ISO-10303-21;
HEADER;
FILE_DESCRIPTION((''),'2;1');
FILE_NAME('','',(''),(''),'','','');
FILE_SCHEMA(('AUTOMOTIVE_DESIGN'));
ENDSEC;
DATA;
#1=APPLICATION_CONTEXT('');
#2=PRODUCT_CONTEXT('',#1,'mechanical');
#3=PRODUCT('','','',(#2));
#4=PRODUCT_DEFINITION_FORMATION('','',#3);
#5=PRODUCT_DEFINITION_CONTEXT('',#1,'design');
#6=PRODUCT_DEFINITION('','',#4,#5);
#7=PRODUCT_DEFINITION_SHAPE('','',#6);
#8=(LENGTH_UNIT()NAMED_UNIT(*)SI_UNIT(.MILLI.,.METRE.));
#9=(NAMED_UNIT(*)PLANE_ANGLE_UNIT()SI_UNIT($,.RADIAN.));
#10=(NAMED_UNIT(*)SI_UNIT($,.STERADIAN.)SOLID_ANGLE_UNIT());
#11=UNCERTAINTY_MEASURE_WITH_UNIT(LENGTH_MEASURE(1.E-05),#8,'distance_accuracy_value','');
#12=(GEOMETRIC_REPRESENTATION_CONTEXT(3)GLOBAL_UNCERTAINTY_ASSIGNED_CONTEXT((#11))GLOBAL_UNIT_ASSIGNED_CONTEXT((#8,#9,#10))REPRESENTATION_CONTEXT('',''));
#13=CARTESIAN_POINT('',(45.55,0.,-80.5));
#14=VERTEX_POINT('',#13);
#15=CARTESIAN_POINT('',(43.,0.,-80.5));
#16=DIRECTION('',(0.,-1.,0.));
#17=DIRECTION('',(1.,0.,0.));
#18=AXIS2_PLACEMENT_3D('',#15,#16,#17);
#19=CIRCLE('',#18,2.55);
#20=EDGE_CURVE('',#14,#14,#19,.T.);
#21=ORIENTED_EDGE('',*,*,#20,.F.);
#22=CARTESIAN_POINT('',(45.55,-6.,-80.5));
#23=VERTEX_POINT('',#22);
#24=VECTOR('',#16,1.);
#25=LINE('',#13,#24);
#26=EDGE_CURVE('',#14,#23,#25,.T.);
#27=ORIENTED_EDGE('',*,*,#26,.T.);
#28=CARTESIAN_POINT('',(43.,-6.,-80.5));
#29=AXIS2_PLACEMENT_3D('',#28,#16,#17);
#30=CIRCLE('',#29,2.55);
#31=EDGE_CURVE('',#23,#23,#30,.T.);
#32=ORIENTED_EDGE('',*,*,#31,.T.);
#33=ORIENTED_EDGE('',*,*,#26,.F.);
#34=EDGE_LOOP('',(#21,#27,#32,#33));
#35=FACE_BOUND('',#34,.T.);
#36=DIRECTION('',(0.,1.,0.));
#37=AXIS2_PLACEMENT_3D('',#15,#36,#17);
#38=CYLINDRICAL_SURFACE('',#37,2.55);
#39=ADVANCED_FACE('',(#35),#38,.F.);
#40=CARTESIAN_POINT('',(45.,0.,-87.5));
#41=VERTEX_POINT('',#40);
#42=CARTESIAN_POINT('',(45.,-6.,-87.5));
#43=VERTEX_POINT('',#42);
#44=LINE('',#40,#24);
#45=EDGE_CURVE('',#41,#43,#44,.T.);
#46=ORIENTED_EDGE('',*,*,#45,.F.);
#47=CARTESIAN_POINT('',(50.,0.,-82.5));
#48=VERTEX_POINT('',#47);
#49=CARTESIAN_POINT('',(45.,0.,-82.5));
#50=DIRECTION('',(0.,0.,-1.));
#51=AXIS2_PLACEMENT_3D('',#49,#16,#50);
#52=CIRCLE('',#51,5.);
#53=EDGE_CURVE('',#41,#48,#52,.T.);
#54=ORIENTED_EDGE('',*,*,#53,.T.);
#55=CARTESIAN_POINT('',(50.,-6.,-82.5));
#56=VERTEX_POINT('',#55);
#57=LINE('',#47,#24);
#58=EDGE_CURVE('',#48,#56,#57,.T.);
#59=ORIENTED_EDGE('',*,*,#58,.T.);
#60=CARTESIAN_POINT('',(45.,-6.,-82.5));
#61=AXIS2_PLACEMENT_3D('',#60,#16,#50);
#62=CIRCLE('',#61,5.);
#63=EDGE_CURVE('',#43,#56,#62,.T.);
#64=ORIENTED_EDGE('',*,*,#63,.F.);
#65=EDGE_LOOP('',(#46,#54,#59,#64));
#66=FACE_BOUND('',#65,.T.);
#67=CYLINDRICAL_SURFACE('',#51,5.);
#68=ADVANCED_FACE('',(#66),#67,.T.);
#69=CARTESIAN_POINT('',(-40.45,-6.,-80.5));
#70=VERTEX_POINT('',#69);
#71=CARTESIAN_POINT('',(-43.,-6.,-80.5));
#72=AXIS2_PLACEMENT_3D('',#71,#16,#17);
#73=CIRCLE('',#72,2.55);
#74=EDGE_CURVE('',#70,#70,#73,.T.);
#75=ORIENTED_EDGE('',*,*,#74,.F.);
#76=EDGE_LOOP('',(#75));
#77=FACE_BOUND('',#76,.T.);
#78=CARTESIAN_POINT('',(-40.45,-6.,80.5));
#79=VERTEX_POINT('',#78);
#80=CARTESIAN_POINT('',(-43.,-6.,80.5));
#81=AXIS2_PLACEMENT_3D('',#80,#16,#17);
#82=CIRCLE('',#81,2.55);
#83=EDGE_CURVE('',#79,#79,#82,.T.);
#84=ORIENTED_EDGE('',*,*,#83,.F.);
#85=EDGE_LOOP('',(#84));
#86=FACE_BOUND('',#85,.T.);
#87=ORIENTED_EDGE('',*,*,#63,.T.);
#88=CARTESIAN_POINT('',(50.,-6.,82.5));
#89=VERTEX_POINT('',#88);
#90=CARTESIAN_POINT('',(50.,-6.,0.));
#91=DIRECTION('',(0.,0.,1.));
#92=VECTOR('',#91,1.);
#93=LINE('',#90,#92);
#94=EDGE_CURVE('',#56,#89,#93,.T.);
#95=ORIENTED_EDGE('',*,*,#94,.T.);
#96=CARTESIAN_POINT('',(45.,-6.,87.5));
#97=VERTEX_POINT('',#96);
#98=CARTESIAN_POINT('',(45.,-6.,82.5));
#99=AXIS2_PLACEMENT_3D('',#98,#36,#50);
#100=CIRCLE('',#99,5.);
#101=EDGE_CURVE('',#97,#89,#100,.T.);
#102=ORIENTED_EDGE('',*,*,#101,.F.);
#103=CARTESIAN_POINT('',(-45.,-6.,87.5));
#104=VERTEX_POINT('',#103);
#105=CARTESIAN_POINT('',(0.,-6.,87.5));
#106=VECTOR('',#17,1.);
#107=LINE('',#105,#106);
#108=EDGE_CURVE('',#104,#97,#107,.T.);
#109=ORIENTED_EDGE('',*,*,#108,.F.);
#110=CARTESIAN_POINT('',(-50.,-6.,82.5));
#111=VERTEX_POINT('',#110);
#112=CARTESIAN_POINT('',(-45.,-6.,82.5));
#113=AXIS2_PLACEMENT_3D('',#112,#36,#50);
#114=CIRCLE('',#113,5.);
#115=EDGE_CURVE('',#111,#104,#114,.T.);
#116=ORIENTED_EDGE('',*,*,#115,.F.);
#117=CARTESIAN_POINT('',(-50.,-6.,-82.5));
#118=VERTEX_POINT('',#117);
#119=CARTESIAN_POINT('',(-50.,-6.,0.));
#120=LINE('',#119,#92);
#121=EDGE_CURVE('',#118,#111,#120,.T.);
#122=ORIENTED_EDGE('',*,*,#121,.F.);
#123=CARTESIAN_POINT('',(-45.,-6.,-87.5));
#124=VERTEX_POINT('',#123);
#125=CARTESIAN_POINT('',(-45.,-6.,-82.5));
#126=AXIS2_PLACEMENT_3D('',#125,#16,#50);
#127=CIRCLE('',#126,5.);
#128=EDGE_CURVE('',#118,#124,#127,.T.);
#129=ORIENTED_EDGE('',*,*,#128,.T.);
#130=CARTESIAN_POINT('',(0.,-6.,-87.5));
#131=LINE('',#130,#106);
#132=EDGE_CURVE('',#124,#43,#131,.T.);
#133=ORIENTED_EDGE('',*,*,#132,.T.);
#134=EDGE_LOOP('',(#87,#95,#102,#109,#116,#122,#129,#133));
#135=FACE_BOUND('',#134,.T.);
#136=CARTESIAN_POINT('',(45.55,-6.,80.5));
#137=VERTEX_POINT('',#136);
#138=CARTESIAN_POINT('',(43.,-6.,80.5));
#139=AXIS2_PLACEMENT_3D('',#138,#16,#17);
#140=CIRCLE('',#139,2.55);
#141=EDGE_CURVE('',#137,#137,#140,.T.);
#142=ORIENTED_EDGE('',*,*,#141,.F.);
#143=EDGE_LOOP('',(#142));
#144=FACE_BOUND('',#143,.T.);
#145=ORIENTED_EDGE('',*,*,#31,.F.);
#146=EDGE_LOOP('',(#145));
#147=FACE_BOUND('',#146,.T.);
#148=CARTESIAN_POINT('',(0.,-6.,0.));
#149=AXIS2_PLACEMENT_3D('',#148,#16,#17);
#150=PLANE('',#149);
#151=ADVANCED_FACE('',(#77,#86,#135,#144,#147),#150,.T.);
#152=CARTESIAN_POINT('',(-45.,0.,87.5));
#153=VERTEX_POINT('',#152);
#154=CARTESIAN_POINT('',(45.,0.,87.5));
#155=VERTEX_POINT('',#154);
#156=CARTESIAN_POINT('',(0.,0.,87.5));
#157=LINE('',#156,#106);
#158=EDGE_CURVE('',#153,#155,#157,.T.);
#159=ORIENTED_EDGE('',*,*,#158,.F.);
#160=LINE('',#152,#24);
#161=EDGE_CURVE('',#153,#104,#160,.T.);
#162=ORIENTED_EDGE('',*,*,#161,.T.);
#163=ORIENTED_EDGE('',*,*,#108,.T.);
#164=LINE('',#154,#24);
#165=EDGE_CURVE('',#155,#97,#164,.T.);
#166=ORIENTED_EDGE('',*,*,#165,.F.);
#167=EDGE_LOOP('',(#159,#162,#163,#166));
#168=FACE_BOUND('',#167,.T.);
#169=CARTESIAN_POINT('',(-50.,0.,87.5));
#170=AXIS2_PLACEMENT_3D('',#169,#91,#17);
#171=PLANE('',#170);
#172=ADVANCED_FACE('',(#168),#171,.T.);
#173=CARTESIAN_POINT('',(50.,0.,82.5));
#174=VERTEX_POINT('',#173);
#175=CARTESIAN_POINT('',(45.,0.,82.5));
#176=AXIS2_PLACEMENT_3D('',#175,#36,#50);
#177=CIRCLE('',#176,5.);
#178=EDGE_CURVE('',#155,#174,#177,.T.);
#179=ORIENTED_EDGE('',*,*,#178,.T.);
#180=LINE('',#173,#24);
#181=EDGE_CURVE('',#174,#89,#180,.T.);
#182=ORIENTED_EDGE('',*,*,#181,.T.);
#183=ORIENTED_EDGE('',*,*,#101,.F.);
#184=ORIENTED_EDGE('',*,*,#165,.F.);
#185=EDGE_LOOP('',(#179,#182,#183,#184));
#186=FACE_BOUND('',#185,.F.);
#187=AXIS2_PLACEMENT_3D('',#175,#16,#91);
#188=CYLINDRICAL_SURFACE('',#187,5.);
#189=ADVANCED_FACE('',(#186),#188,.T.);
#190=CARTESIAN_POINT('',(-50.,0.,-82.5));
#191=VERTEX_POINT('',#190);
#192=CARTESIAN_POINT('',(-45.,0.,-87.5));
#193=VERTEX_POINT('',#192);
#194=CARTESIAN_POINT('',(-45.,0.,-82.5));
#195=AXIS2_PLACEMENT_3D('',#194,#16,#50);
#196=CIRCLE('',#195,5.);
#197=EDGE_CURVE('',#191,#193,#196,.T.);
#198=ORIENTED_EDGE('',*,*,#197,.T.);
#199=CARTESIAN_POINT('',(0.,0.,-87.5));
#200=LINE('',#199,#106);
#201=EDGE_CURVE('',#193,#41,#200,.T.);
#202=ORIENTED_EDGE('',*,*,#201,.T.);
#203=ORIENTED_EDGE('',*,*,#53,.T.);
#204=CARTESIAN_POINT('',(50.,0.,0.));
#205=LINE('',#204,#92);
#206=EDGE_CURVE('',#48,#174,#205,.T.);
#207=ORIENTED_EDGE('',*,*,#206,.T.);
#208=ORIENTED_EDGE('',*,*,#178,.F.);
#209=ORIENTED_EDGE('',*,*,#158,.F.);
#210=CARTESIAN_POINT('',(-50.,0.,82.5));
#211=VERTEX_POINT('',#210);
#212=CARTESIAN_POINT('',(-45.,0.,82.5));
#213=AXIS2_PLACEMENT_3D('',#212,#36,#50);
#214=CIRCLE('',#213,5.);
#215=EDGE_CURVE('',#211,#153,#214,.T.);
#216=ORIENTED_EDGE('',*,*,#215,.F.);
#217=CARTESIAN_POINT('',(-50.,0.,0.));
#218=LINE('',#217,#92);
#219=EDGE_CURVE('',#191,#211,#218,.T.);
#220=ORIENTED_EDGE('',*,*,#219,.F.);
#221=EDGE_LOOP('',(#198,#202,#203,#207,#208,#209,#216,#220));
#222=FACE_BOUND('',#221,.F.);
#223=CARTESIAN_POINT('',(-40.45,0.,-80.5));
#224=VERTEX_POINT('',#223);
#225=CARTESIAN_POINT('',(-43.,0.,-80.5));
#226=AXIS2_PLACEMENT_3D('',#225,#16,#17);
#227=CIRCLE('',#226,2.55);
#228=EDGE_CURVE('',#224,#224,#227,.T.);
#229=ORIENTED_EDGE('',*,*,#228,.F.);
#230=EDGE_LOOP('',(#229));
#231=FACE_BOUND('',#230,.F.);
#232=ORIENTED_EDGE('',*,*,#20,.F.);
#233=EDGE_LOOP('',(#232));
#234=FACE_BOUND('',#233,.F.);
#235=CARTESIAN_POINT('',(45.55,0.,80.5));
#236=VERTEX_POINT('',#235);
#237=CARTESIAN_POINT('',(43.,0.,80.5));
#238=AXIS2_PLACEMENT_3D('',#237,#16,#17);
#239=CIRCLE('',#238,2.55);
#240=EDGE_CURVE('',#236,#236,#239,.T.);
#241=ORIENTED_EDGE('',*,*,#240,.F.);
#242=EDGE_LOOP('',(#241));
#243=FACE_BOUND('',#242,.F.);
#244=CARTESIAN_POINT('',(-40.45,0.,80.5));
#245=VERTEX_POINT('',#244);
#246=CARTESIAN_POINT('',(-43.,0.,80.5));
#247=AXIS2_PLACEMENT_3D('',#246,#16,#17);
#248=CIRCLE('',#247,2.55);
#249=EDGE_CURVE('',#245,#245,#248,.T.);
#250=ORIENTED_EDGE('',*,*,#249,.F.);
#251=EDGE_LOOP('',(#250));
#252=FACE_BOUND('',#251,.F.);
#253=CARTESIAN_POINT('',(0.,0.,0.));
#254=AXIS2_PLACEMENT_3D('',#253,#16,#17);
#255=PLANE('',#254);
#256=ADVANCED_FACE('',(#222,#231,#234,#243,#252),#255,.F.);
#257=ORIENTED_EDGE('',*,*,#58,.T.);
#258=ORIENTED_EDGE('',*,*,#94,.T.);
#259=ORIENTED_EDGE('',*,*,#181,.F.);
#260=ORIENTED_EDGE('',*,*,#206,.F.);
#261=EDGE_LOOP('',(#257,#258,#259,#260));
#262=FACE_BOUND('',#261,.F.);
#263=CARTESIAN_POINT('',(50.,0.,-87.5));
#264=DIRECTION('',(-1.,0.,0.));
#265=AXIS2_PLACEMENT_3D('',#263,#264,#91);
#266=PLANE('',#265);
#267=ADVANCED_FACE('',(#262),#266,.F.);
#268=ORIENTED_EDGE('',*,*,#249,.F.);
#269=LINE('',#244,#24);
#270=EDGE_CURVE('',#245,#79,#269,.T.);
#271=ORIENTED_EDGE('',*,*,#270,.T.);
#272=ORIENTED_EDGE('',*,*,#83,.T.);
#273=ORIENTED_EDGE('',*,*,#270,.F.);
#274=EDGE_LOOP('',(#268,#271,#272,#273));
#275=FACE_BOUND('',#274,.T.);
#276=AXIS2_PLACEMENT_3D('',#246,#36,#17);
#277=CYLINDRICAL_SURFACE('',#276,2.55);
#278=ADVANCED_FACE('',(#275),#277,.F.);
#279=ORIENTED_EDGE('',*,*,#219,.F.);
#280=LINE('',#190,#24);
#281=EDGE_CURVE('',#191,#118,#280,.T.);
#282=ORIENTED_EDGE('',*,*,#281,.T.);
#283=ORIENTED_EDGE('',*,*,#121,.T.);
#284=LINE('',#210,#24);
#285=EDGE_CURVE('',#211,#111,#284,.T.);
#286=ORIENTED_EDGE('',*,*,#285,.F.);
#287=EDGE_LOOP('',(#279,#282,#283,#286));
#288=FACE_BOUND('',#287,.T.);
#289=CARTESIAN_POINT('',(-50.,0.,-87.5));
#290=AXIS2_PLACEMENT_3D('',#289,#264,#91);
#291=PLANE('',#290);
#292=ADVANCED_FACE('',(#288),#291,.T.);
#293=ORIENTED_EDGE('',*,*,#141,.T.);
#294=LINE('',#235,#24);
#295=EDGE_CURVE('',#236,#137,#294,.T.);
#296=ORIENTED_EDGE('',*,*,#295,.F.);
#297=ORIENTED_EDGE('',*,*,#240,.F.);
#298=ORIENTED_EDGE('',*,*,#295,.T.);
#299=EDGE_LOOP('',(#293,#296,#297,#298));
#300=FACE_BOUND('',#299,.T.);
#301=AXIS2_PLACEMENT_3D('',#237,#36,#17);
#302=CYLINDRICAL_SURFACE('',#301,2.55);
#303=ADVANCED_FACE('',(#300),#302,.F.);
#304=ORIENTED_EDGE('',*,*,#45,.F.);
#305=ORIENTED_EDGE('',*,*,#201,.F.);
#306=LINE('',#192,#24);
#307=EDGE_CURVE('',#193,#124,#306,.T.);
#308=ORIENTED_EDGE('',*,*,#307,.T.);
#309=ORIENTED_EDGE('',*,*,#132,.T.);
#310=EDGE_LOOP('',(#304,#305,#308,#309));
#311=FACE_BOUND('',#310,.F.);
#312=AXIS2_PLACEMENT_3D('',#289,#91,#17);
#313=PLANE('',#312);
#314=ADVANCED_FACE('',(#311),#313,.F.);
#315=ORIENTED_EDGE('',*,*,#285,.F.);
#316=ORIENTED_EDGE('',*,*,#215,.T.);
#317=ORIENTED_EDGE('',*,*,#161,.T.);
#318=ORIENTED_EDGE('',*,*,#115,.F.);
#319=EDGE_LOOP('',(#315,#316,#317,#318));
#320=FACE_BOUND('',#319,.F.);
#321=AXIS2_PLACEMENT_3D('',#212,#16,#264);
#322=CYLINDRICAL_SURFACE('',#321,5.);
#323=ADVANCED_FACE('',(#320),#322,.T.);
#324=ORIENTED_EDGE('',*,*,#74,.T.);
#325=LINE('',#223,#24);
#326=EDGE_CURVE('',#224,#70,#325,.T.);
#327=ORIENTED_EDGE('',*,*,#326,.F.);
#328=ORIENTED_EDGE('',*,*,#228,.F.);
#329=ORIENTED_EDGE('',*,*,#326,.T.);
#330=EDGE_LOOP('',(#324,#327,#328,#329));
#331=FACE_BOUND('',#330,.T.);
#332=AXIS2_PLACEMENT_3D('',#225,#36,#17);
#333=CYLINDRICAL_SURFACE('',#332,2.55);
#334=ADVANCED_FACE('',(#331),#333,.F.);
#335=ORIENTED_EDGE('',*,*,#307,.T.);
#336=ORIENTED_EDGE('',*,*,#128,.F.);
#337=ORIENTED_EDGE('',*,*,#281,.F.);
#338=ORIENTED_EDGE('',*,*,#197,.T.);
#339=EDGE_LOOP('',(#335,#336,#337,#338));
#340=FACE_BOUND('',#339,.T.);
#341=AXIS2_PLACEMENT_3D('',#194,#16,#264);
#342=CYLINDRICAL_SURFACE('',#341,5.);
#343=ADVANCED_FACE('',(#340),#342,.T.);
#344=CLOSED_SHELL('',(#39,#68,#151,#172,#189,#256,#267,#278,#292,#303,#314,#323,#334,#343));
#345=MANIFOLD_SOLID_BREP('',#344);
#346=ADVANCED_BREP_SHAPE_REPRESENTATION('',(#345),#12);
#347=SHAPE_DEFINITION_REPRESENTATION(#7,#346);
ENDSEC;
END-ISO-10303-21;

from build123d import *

# Parameters (mm, degrees)
F0_W     = 100
F0_H     = 175
F0_R     = 2.55
F1_DEPTH = 6
F2_R     = 5


with BuildPart() as f1:
    # F0 (on Front) → F1 (new body)
    with BuildSketch(Plane.XZ):
        Rectangle(F0_W, F0_H)
        with Locations((-43, -80.5)):
            Circle(F0_R, mode=Mode.SUBTRACT)
        with Locations((43, -80.5)):
            Circle(F0_R, mode=Mode.SUBTRACT)
        with Locations((-43, 80.5)):
            Circle(F0_R, mode=Mode.SUBTRACT)
        with Locations((43, 80.5)):
            Circle(F0_R, mode=Mode.SUBTRACT)
    extrude(amount=F1_DEPTH)

    # F2
    f2_edges = [f1.edges().sort_by_distance(p)[0] for p in [
        (-50, -3, 87.5),
        (-50, -3, -87.5),
        (50, -3, 87.5),
        (50, -3, -87.5),
    ]]
    fillet(f2_edges, radius=F2_R)


solid = f1.part
